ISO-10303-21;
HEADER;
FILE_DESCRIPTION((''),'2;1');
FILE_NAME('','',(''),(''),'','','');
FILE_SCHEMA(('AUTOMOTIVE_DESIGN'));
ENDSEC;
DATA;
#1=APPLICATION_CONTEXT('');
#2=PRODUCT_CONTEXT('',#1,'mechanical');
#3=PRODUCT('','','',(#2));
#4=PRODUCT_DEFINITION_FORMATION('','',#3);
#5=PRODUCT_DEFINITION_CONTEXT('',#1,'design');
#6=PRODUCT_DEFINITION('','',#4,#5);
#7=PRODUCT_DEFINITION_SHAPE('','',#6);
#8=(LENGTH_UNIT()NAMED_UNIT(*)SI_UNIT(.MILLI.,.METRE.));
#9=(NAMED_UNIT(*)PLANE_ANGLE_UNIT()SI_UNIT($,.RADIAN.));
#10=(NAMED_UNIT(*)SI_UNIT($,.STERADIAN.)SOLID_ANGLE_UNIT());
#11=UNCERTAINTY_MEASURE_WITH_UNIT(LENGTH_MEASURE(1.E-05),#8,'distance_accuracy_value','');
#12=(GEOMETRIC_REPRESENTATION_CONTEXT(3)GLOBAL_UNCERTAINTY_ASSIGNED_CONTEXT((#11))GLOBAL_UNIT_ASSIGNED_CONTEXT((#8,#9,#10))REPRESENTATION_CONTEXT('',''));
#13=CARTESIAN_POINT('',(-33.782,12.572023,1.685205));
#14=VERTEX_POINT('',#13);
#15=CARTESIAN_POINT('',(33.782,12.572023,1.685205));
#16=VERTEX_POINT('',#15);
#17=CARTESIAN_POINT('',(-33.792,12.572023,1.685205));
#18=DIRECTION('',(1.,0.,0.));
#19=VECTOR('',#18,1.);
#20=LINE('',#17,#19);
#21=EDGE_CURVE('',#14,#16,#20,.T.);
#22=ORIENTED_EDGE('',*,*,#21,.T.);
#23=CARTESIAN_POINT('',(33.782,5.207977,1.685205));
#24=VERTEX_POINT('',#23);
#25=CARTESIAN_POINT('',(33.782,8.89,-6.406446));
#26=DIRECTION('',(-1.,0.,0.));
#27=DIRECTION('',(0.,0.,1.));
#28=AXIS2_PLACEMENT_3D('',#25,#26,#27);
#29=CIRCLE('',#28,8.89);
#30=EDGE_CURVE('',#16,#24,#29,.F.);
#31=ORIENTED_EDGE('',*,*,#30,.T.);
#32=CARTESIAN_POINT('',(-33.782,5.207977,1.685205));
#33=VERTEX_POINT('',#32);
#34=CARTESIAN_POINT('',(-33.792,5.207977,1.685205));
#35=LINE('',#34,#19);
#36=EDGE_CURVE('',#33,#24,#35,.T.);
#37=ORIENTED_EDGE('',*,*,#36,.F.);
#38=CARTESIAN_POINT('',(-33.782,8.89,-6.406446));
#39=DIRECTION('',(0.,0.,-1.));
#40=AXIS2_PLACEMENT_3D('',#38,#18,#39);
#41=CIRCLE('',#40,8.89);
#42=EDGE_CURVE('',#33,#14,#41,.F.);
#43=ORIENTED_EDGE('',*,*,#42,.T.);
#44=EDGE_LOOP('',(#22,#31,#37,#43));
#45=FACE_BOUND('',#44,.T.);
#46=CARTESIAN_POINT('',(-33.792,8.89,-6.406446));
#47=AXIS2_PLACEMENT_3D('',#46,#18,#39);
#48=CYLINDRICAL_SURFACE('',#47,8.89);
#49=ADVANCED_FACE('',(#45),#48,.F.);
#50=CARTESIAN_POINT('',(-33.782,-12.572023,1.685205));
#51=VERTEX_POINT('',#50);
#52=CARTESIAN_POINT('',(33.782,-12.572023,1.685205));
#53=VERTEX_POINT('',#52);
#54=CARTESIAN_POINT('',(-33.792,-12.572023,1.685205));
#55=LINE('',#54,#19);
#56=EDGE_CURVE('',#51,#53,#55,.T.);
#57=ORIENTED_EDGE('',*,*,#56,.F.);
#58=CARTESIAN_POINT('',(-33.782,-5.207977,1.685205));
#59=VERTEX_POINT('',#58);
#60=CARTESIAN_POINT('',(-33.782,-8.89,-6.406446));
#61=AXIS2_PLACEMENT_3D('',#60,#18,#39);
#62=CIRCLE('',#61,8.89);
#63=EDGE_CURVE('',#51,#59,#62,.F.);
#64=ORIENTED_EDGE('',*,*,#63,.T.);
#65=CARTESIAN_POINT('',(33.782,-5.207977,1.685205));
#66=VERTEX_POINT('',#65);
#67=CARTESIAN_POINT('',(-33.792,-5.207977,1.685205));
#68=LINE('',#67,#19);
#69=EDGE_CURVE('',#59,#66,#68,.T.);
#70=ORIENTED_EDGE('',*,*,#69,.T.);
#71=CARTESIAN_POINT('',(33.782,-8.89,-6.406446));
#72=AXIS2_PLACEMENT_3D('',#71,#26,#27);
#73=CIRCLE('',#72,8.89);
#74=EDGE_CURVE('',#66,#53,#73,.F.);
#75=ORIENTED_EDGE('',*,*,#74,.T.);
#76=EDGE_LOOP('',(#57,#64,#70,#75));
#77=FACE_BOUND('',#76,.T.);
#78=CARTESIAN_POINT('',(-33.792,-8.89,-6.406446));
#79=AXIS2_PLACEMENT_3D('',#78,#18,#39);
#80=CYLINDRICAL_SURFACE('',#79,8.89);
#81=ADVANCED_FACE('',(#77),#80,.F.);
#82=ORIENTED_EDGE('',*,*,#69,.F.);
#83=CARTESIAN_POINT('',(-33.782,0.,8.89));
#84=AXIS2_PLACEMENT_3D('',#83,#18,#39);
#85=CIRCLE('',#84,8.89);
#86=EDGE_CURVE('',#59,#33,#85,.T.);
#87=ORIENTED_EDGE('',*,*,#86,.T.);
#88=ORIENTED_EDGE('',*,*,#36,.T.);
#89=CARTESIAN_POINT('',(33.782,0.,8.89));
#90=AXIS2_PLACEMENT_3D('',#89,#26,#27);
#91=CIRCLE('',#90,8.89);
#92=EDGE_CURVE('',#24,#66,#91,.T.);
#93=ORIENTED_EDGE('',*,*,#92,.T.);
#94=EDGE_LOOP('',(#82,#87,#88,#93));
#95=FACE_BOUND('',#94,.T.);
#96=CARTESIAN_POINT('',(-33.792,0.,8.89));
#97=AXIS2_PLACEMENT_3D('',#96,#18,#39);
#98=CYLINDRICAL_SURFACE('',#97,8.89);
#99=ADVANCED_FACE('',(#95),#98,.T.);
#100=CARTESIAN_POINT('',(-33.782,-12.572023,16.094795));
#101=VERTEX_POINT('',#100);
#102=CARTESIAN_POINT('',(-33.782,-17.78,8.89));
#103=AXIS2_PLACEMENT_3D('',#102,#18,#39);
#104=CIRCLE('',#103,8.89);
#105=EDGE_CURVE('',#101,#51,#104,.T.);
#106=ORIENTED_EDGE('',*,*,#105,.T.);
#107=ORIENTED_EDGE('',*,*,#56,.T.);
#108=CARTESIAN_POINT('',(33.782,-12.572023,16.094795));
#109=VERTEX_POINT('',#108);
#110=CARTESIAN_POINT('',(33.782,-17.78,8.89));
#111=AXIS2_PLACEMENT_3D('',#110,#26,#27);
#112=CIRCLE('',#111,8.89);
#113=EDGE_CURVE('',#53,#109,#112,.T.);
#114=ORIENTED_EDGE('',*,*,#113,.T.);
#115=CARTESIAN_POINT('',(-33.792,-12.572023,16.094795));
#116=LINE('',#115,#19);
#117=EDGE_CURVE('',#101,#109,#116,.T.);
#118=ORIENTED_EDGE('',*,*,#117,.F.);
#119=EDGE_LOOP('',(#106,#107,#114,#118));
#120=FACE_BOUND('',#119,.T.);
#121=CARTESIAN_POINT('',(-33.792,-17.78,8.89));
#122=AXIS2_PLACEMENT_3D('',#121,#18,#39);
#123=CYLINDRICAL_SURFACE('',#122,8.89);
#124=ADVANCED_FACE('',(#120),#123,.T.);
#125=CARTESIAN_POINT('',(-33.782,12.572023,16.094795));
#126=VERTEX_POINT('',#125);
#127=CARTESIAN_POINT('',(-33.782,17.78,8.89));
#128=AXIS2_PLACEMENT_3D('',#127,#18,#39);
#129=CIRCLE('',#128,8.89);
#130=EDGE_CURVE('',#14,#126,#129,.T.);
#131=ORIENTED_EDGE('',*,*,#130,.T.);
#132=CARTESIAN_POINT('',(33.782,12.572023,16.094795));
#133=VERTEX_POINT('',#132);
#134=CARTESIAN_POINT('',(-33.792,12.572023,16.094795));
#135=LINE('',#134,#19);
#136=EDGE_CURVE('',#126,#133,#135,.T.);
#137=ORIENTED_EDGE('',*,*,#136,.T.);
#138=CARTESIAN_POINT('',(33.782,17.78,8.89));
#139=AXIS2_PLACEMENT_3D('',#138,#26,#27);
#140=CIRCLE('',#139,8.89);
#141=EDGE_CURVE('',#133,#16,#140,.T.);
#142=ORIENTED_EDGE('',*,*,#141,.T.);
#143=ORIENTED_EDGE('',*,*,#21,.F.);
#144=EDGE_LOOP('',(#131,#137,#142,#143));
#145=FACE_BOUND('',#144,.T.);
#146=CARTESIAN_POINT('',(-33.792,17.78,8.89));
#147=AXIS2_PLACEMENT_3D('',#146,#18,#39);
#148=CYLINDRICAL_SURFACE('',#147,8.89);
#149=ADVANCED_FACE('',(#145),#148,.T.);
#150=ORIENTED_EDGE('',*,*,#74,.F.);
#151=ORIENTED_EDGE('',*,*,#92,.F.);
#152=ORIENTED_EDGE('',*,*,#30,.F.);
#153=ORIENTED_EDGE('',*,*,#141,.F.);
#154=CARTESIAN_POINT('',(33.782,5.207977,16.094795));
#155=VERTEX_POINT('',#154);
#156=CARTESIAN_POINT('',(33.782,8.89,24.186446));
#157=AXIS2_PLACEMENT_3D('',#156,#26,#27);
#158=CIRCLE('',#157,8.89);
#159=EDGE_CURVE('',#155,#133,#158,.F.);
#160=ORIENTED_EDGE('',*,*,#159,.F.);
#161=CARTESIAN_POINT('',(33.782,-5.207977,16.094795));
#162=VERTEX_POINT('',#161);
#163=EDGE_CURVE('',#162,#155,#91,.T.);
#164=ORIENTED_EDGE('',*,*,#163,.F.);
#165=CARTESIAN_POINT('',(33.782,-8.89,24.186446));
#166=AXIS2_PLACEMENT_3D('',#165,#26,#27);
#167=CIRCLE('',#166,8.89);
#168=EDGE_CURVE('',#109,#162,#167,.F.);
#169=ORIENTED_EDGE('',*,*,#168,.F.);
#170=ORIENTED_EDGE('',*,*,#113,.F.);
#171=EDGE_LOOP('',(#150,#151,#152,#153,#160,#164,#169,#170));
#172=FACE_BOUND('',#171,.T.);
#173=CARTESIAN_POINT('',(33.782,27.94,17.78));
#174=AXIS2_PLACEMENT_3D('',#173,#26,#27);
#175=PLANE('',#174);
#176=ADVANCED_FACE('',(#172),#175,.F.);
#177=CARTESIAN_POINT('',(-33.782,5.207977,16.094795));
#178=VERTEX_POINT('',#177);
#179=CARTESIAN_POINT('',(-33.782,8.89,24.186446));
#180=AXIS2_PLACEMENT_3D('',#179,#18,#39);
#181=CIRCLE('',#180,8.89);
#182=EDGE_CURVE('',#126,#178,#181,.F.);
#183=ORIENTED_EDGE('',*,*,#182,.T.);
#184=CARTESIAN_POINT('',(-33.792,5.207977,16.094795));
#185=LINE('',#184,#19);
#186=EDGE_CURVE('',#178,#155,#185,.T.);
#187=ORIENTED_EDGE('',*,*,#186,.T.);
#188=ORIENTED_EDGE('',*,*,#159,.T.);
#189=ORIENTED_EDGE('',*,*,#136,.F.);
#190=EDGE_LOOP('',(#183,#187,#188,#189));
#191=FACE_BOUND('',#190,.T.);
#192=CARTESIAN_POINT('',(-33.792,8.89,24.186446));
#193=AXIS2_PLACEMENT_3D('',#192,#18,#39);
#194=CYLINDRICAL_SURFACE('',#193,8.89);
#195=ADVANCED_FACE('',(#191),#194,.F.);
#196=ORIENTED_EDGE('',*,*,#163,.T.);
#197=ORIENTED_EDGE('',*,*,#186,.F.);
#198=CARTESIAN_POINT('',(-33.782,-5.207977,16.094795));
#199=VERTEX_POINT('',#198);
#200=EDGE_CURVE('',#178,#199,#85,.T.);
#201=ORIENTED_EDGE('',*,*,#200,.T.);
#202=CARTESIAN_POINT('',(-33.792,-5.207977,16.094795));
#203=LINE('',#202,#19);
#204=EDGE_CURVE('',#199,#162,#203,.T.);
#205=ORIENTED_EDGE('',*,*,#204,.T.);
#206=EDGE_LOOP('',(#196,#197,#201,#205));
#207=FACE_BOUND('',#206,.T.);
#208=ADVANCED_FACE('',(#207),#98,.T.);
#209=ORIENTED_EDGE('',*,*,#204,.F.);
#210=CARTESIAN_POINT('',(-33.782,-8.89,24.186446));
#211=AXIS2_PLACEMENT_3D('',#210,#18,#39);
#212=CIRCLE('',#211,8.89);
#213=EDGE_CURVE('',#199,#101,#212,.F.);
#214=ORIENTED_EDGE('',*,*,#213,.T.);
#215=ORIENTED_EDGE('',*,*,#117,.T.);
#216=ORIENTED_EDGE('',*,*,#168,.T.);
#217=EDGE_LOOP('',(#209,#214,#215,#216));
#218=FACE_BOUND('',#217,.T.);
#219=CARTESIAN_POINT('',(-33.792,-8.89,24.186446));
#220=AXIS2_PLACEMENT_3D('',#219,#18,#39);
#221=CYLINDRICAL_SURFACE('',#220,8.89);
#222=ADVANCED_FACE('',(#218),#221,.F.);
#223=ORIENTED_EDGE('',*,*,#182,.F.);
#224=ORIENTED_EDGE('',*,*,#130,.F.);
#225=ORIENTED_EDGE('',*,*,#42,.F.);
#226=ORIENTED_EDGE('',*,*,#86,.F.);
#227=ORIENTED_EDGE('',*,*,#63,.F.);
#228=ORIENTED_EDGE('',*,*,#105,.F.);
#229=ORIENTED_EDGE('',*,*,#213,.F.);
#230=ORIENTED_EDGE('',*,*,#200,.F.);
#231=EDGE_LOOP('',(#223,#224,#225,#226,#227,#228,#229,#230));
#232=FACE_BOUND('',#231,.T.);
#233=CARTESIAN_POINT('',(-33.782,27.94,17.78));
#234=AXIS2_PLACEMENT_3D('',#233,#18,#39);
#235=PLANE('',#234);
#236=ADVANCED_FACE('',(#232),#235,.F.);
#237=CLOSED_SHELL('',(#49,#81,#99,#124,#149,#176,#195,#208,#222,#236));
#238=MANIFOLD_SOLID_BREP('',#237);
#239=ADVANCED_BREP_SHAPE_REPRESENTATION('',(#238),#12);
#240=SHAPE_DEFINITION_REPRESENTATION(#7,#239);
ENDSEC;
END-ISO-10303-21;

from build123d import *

# Parameters (mm, degrees)
SKETCH1_W              = 67.564
SKETCH1_H              = 55.88
BOSS_EXTRUDE1_DEPTH    = 17.78
SPLIT1_SURFACE_1_BACK  = 90.463
SPLIT1_SURFACE_1_DEPTH = 180.926


with BuildPart() as part:
    # Sketch1 → Boss-Extrude1 (new body)
    with BuildSketch(Plane.XY):
        Rectangle(SKETCH1_W, SKETCH1_H)
    extrude(amount=BOSS_EXTRUDE1_DEPTH)

    # Split1: cut with a surface, the side it looks to stays
    # Split1 surface: a surface, the sketch's curves swept straight by 180.926 mm
    with BuildLine(Plane(origin=(33.782, 0, 0), x_dir=(0, 0, -1), z_dir=(1, 0, 0)).offset(-SPLIT1_SURFACE_1_BACK), mode=Mode.PRIVATE) as split1_surface_1_path:
        ThreePointArc((-1.685204779, 12.572022866), (-8.89, 26.67), (-16.094795221, 12.572022866))
        ThreePointArc((-16.094795221, 12.572022866), (-15.296445708, 8.89), (-16.094795221, 5.207977134))
        ThreePointArc((-16.094795221, 5.207977134), (-17.78, 0), (-16.094795221, -5.207977134))
        ThreePointArc((-16.094795221, -5.207977134), (-15.296445708, -8.89), (-16.094795221, -12.572022866))
        ThreePointArc((-16.094795221, -12.572022866), (-8.89, -26.67), (-1.685204779, -12.572022866))
        ThreePointArc((-1.685204779, -12.572022866), (-2.483554292, -8.89), (-1.685204779, -5.207977134))
        ThreePointArc((-1.685204779, -5.207977134), (0, 0), (-1.685204779, 5.207977134))
        ThreePointArc((-1.685204779, 5.207977134), (-2.483554292, 8.89), (-1.685204779, 12.572022866))
    split1_surface_1 = Shell.extrude(split1_surface_1_path.wire(), (1 * SPLIT1_SURFACE_1_DEPTH, 0 * SPLIT1_SURFACE_1_DEPTH, 0 * SPLIT1_SURFACE_1_DEPTH))
    split(bisect_by=split1_surface_1, keep=Keep.TOP)


solid = part.part
